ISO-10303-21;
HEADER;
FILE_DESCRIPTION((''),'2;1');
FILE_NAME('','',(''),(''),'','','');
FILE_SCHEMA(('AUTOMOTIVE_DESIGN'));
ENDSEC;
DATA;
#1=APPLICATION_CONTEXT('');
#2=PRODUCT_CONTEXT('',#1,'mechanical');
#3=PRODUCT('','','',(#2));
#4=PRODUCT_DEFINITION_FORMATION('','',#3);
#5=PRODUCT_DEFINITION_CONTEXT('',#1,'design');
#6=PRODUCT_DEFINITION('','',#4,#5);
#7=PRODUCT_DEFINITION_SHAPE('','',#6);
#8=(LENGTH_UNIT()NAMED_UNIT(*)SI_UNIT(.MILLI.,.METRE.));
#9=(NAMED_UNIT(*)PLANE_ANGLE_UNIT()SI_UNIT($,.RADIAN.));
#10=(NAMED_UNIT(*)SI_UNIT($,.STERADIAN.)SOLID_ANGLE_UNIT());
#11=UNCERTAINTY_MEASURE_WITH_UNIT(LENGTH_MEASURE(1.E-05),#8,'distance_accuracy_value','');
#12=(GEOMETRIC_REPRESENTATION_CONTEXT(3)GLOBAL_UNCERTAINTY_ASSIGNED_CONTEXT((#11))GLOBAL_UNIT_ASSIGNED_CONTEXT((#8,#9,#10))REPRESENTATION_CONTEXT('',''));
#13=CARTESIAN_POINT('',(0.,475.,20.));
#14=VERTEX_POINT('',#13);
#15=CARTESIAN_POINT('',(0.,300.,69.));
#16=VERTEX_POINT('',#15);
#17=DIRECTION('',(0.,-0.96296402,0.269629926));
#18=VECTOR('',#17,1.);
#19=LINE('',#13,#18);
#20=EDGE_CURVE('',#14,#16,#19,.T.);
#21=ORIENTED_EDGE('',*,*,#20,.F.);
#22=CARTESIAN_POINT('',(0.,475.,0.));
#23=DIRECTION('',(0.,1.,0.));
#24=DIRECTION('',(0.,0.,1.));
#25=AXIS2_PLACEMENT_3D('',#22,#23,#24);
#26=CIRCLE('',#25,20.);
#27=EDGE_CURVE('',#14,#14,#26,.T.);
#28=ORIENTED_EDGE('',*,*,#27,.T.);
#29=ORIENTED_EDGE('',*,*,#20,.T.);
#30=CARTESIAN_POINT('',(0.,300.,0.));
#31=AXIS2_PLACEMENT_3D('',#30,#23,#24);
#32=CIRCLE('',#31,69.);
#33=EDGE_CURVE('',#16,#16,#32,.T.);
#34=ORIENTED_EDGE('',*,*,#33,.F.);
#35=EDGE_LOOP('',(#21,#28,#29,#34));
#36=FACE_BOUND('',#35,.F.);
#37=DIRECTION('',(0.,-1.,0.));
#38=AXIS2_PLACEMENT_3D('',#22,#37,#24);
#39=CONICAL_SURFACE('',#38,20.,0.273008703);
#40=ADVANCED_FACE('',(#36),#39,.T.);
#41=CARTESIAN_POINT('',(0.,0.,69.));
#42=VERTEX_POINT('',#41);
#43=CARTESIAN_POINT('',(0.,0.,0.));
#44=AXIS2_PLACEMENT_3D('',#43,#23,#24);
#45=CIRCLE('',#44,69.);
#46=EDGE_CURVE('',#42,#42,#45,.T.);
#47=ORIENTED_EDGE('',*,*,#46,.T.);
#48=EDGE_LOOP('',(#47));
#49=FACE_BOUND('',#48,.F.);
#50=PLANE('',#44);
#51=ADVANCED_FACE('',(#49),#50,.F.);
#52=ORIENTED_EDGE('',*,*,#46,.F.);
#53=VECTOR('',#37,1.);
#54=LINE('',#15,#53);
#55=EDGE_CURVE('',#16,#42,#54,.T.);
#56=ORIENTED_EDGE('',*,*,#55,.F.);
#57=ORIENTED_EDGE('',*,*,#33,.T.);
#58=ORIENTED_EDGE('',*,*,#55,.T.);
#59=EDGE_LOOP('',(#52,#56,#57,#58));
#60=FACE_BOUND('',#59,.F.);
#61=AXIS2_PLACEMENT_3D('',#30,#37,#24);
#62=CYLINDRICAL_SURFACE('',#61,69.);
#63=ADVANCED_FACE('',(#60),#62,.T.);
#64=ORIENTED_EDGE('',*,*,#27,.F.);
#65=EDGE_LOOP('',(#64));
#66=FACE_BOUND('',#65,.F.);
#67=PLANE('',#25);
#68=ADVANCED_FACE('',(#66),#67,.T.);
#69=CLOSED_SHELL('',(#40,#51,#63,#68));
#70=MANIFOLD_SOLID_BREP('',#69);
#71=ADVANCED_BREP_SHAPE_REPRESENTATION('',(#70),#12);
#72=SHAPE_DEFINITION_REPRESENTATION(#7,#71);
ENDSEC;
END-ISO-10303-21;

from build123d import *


with BuildPart() as f1:
    # F0 (on Right) → F1 (revolve)
    with BuildSketch(Plane.YZ):
        Polygon((0, 69), (0, 0), (475, 0), (475, 20), (300, 69), align=None)
    revolve(axis=Axis((0, 237.5, 0), (0, 1, 0)))


solid = f1.part
